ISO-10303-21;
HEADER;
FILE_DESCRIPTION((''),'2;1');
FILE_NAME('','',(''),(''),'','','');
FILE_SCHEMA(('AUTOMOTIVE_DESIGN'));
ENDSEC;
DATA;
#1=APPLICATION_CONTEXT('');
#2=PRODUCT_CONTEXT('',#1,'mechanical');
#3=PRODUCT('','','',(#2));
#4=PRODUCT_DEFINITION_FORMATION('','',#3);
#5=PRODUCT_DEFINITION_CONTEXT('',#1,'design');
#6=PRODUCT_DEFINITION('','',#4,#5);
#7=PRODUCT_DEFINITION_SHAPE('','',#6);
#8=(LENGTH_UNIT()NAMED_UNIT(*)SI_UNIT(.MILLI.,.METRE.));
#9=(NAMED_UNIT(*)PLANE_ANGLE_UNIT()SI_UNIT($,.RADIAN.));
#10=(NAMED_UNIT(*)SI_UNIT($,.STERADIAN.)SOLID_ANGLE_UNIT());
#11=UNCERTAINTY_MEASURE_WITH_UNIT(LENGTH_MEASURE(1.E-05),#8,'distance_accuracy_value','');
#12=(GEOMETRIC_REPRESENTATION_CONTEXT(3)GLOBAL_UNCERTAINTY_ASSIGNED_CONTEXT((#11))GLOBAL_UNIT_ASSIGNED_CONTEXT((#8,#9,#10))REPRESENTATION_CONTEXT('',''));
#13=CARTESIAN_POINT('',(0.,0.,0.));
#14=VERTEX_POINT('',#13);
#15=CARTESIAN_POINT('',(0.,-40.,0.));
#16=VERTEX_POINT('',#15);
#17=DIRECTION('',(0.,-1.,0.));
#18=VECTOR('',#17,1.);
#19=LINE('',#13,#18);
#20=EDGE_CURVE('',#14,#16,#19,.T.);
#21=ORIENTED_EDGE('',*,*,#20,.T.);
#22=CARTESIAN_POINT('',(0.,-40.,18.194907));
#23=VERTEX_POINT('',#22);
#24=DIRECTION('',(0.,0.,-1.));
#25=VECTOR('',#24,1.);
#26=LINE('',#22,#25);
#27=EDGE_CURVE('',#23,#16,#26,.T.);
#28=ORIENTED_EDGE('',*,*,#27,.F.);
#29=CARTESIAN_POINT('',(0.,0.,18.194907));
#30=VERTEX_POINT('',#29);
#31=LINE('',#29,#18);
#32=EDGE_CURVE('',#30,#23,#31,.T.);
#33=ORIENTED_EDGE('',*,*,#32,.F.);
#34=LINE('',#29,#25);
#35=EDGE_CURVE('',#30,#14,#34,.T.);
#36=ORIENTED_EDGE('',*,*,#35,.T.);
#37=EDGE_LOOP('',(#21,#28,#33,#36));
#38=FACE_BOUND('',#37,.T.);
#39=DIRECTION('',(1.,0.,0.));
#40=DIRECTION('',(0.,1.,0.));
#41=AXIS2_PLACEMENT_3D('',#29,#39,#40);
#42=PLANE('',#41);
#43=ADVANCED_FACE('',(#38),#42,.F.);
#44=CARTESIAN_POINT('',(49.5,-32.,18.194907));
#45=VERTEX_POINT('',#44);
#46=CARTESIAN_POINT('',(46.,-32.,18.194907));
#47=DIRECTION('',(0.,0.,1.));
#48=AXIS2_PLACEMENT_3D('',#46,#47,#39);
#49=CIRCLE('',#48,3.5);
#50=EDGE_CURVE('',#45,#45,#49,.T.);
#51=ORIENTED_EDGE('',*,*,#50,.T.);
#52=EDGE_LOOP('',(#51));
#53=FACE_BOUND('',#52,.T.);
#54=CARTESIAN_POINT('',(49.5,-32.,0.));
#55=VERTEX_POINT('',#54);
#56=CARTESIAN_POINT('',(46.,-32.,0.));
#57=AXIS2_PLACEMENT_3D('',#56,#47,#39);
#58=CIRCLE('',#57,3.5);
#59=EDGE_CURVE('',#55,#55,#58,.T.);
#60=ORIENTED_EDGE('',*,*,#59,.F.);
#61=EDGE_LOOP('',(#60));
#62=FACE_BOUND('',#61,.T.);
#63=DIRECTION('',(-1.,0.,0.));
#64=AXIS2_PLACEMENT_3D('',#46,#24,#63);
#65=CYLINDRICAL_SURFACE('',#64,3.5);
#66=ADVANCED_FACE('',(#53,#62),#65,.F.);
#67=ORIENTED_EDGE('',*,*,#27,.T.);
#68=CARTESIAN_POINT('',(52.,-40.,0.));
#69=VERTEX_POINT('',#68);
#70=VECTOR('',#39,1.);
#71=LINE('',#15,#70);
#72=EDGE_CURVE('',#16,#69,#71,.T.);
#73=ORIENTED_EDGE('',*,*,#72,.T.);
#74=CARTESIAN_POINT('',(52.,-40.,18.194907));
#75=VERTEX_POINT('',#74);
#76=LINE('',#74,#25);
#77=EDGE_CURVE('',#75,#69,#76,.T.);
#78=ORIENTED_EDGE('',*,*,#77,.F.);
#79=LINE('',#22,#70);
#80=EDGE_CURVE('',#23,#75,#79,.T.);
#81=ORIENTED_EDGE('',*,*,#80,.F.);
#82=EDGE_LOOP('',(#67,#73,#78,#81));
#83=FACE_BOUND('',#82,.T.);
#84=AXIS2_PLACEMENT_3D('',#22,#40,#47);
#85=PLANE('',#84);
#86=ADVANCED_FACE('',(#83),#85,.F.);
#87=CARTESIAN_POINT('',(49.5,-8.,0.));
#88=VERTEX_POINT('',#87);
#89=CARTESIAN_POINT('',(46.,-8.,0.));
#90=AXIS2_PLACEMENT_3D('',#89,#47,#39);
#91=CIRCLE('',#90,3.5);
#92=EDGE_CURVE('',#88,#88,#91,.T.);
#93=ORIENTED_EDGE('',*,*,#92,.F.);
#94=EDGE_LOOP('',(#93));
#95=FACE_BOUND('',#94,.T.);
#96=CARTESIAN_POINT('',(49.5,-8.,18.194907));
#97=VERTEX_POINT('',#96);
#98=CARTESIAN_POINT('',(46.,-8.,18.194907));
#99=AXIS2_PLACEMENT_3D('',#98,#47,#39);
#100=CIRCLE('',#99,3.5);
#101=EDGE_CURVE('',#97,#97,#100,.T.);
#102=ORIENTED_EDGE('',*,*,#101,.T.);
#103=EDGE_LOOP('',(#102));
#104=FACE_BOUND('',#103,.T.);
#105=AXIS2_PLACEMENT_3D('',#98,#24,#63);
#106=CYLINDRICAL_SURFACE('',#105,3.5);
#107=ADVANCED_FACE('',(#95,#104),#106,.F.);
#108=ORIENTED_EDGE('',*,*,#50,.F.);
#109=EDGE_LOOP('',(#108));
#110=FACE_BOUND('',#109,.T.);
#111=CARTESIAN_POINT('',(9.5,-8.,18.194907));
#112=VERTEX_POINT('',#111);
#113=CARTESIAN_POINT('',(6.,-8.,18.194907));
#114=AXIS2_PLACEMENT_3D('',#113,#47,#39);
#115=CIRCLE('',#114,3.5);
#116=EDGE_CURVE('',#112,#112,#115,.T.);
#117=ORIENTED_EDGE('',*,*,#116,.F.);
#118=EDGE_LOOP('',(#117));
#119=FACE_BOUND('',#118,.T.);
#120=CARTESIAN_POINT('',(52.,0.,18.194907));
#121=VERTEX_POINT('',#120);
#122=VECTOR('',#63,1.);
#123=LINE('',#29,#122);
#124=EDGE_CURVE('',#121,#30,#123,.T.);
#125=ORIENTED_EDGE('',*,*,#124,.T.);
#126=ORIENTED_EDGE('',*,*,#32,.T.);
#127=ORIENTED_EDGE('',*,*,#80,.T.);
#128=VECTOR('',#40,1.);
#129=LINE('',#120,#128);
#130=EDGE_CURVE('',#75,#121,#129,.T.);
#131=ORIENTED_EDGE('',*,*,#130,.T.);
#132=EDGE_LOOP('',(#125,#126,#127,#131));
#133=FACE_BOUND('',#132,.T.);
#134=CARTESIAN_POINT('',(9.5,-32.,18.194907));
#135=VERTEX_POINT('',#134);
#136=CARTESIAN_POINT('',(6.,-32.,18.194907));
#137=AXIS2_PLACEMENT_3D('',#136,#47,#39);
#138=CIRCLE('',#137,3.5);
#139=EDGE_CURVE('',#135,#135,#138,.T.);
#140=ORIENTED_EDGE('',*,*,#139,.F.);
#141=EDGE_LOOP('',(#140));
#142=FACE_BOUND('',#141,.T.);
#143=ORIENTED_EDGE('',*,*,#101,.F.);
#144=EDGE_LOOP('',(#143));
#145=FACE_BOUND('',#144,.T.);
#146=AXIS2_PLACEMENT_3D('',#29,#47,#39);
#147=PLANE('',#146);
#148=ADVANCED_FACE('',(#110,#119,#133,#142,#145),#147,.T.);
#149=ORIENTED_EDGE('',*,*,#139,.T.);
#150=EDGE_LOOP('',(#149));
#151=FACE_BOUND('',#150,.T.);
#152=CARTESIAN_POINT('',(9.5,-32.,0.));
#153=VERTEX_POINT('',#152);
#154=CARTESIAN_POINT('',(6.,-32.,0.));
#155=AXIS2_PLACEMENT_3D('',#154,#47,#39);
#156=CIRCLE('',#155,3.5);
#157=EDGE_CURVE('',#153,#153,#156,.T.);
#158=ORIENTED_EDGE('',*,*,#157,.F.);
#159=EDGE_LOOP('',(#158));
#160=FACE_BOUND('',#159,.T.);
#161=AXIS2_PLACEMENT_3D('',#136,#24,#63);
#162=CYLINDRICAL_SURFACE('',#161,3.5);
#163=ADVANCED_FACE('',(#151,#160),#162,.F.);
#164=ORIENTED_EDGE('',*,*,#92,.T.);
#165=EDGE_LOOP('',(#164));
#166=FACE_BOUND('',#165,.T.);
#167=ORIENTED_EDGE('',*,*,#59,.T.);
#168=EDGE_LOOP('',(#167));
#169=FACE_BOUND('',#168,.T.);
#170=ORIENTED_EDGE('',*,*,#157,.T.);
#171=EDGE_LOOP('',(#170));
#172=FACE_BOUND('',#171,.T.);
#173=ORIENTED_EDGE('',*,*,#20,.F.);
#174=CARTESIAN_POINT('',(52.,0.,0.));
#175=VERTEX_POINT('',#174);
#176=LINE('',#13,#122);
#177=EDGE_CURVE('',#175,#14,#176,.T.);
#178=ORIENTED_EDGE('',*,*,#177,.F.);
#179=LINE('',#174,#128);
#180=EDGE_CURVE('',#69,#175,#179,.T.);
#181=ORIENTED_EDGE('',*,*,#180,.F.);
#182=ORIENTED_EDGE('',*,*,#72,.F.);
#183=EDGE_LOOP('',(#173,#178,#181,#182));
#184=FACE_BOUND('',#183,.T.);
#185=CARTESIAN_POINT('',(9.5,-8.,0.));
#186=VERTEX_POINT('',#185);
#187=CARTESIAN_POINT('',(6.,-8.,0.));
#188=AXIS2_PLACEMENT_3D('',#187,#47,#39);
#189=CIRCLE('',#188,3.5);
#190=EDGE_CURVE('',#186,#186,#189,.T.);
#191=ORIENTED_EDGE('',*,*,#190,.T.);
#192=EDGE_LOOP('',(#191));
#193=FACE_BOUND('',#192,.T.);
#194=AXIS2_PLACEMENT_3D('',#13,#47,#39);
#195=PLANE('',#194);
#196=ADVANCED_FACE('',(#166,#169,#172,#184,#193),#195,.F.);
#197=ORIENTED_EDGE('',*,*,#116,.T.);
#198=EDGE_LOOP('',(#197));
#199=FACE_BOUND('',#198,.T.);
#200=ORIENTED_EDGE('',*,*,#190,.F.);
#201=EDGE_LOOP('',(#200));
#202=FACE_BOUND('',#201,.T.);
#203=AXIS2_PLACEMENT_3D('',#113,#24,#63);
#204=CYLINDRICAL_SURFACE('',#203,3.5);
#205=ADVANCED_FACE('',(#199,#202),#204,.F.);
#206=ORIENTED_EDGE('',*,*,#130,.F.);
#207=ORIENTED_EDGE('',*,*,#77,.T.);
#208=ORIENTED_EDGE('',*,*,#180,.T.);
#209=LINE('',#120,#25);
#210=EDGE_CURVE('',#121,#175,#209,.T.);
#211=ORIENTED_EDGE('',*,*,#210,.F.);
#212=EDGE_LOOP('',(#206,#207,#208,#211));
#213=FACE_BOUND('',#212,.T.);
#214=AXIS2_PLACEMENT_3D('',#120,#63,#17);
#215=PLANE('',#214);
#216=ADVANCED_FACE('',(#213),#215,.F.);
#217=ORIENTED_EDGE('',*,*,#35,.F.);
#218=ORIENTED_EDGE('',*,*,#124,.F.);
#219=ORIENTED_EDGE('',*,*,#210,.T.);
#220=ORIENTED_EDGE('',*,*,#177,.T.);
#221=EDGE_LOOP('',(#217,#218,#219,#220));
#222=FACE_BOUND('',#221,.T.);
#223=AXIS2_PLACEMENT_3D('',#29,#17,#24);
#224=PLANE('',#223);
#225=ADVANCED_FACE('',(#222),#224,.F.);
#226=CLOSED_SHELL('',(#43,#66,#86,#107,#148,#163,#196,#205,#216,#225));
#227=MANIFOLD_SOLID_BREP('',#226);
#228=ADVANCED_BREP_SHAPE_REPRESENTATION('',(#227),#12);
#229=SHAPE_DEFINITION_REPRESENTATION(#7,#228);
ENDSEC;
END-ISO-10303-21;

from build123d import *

# Parameters (mm, degrees)
SKETCH1_W           = 52
SKETCH1_H           = 40
SKETCH1_R           = 3.5
BOSS_EXTRUDE1_DEPTH = 18.19490677


with BuildPart() as part:
    # Sketch1 → Boss-Extrude1 (new body)
    with BuildSketch(Plane.XY):
        with Locations((26, -20)):
            Rectangle(SKETCH1_W, SKETCH1_H)
        with Locations((6, -8)):
            Circle(SKETCH1_R, mode=Mode.SUBTRACT)
        with Locations((46, -8)):
            Circle(SKETCH1_R, mode=Mode.SUBTRACT)
        with Locations((6, -32)):
            Circle(SKETCH1_R, mode=Mode.SUBTRACT)
        with Locations((46, -32)):
            Circle(SKETCH1_R, mode=Mode.SUBTRACT)
    extrude(amount=BOSS_EXTRUDE1_DEPTH)


solid = part.part
